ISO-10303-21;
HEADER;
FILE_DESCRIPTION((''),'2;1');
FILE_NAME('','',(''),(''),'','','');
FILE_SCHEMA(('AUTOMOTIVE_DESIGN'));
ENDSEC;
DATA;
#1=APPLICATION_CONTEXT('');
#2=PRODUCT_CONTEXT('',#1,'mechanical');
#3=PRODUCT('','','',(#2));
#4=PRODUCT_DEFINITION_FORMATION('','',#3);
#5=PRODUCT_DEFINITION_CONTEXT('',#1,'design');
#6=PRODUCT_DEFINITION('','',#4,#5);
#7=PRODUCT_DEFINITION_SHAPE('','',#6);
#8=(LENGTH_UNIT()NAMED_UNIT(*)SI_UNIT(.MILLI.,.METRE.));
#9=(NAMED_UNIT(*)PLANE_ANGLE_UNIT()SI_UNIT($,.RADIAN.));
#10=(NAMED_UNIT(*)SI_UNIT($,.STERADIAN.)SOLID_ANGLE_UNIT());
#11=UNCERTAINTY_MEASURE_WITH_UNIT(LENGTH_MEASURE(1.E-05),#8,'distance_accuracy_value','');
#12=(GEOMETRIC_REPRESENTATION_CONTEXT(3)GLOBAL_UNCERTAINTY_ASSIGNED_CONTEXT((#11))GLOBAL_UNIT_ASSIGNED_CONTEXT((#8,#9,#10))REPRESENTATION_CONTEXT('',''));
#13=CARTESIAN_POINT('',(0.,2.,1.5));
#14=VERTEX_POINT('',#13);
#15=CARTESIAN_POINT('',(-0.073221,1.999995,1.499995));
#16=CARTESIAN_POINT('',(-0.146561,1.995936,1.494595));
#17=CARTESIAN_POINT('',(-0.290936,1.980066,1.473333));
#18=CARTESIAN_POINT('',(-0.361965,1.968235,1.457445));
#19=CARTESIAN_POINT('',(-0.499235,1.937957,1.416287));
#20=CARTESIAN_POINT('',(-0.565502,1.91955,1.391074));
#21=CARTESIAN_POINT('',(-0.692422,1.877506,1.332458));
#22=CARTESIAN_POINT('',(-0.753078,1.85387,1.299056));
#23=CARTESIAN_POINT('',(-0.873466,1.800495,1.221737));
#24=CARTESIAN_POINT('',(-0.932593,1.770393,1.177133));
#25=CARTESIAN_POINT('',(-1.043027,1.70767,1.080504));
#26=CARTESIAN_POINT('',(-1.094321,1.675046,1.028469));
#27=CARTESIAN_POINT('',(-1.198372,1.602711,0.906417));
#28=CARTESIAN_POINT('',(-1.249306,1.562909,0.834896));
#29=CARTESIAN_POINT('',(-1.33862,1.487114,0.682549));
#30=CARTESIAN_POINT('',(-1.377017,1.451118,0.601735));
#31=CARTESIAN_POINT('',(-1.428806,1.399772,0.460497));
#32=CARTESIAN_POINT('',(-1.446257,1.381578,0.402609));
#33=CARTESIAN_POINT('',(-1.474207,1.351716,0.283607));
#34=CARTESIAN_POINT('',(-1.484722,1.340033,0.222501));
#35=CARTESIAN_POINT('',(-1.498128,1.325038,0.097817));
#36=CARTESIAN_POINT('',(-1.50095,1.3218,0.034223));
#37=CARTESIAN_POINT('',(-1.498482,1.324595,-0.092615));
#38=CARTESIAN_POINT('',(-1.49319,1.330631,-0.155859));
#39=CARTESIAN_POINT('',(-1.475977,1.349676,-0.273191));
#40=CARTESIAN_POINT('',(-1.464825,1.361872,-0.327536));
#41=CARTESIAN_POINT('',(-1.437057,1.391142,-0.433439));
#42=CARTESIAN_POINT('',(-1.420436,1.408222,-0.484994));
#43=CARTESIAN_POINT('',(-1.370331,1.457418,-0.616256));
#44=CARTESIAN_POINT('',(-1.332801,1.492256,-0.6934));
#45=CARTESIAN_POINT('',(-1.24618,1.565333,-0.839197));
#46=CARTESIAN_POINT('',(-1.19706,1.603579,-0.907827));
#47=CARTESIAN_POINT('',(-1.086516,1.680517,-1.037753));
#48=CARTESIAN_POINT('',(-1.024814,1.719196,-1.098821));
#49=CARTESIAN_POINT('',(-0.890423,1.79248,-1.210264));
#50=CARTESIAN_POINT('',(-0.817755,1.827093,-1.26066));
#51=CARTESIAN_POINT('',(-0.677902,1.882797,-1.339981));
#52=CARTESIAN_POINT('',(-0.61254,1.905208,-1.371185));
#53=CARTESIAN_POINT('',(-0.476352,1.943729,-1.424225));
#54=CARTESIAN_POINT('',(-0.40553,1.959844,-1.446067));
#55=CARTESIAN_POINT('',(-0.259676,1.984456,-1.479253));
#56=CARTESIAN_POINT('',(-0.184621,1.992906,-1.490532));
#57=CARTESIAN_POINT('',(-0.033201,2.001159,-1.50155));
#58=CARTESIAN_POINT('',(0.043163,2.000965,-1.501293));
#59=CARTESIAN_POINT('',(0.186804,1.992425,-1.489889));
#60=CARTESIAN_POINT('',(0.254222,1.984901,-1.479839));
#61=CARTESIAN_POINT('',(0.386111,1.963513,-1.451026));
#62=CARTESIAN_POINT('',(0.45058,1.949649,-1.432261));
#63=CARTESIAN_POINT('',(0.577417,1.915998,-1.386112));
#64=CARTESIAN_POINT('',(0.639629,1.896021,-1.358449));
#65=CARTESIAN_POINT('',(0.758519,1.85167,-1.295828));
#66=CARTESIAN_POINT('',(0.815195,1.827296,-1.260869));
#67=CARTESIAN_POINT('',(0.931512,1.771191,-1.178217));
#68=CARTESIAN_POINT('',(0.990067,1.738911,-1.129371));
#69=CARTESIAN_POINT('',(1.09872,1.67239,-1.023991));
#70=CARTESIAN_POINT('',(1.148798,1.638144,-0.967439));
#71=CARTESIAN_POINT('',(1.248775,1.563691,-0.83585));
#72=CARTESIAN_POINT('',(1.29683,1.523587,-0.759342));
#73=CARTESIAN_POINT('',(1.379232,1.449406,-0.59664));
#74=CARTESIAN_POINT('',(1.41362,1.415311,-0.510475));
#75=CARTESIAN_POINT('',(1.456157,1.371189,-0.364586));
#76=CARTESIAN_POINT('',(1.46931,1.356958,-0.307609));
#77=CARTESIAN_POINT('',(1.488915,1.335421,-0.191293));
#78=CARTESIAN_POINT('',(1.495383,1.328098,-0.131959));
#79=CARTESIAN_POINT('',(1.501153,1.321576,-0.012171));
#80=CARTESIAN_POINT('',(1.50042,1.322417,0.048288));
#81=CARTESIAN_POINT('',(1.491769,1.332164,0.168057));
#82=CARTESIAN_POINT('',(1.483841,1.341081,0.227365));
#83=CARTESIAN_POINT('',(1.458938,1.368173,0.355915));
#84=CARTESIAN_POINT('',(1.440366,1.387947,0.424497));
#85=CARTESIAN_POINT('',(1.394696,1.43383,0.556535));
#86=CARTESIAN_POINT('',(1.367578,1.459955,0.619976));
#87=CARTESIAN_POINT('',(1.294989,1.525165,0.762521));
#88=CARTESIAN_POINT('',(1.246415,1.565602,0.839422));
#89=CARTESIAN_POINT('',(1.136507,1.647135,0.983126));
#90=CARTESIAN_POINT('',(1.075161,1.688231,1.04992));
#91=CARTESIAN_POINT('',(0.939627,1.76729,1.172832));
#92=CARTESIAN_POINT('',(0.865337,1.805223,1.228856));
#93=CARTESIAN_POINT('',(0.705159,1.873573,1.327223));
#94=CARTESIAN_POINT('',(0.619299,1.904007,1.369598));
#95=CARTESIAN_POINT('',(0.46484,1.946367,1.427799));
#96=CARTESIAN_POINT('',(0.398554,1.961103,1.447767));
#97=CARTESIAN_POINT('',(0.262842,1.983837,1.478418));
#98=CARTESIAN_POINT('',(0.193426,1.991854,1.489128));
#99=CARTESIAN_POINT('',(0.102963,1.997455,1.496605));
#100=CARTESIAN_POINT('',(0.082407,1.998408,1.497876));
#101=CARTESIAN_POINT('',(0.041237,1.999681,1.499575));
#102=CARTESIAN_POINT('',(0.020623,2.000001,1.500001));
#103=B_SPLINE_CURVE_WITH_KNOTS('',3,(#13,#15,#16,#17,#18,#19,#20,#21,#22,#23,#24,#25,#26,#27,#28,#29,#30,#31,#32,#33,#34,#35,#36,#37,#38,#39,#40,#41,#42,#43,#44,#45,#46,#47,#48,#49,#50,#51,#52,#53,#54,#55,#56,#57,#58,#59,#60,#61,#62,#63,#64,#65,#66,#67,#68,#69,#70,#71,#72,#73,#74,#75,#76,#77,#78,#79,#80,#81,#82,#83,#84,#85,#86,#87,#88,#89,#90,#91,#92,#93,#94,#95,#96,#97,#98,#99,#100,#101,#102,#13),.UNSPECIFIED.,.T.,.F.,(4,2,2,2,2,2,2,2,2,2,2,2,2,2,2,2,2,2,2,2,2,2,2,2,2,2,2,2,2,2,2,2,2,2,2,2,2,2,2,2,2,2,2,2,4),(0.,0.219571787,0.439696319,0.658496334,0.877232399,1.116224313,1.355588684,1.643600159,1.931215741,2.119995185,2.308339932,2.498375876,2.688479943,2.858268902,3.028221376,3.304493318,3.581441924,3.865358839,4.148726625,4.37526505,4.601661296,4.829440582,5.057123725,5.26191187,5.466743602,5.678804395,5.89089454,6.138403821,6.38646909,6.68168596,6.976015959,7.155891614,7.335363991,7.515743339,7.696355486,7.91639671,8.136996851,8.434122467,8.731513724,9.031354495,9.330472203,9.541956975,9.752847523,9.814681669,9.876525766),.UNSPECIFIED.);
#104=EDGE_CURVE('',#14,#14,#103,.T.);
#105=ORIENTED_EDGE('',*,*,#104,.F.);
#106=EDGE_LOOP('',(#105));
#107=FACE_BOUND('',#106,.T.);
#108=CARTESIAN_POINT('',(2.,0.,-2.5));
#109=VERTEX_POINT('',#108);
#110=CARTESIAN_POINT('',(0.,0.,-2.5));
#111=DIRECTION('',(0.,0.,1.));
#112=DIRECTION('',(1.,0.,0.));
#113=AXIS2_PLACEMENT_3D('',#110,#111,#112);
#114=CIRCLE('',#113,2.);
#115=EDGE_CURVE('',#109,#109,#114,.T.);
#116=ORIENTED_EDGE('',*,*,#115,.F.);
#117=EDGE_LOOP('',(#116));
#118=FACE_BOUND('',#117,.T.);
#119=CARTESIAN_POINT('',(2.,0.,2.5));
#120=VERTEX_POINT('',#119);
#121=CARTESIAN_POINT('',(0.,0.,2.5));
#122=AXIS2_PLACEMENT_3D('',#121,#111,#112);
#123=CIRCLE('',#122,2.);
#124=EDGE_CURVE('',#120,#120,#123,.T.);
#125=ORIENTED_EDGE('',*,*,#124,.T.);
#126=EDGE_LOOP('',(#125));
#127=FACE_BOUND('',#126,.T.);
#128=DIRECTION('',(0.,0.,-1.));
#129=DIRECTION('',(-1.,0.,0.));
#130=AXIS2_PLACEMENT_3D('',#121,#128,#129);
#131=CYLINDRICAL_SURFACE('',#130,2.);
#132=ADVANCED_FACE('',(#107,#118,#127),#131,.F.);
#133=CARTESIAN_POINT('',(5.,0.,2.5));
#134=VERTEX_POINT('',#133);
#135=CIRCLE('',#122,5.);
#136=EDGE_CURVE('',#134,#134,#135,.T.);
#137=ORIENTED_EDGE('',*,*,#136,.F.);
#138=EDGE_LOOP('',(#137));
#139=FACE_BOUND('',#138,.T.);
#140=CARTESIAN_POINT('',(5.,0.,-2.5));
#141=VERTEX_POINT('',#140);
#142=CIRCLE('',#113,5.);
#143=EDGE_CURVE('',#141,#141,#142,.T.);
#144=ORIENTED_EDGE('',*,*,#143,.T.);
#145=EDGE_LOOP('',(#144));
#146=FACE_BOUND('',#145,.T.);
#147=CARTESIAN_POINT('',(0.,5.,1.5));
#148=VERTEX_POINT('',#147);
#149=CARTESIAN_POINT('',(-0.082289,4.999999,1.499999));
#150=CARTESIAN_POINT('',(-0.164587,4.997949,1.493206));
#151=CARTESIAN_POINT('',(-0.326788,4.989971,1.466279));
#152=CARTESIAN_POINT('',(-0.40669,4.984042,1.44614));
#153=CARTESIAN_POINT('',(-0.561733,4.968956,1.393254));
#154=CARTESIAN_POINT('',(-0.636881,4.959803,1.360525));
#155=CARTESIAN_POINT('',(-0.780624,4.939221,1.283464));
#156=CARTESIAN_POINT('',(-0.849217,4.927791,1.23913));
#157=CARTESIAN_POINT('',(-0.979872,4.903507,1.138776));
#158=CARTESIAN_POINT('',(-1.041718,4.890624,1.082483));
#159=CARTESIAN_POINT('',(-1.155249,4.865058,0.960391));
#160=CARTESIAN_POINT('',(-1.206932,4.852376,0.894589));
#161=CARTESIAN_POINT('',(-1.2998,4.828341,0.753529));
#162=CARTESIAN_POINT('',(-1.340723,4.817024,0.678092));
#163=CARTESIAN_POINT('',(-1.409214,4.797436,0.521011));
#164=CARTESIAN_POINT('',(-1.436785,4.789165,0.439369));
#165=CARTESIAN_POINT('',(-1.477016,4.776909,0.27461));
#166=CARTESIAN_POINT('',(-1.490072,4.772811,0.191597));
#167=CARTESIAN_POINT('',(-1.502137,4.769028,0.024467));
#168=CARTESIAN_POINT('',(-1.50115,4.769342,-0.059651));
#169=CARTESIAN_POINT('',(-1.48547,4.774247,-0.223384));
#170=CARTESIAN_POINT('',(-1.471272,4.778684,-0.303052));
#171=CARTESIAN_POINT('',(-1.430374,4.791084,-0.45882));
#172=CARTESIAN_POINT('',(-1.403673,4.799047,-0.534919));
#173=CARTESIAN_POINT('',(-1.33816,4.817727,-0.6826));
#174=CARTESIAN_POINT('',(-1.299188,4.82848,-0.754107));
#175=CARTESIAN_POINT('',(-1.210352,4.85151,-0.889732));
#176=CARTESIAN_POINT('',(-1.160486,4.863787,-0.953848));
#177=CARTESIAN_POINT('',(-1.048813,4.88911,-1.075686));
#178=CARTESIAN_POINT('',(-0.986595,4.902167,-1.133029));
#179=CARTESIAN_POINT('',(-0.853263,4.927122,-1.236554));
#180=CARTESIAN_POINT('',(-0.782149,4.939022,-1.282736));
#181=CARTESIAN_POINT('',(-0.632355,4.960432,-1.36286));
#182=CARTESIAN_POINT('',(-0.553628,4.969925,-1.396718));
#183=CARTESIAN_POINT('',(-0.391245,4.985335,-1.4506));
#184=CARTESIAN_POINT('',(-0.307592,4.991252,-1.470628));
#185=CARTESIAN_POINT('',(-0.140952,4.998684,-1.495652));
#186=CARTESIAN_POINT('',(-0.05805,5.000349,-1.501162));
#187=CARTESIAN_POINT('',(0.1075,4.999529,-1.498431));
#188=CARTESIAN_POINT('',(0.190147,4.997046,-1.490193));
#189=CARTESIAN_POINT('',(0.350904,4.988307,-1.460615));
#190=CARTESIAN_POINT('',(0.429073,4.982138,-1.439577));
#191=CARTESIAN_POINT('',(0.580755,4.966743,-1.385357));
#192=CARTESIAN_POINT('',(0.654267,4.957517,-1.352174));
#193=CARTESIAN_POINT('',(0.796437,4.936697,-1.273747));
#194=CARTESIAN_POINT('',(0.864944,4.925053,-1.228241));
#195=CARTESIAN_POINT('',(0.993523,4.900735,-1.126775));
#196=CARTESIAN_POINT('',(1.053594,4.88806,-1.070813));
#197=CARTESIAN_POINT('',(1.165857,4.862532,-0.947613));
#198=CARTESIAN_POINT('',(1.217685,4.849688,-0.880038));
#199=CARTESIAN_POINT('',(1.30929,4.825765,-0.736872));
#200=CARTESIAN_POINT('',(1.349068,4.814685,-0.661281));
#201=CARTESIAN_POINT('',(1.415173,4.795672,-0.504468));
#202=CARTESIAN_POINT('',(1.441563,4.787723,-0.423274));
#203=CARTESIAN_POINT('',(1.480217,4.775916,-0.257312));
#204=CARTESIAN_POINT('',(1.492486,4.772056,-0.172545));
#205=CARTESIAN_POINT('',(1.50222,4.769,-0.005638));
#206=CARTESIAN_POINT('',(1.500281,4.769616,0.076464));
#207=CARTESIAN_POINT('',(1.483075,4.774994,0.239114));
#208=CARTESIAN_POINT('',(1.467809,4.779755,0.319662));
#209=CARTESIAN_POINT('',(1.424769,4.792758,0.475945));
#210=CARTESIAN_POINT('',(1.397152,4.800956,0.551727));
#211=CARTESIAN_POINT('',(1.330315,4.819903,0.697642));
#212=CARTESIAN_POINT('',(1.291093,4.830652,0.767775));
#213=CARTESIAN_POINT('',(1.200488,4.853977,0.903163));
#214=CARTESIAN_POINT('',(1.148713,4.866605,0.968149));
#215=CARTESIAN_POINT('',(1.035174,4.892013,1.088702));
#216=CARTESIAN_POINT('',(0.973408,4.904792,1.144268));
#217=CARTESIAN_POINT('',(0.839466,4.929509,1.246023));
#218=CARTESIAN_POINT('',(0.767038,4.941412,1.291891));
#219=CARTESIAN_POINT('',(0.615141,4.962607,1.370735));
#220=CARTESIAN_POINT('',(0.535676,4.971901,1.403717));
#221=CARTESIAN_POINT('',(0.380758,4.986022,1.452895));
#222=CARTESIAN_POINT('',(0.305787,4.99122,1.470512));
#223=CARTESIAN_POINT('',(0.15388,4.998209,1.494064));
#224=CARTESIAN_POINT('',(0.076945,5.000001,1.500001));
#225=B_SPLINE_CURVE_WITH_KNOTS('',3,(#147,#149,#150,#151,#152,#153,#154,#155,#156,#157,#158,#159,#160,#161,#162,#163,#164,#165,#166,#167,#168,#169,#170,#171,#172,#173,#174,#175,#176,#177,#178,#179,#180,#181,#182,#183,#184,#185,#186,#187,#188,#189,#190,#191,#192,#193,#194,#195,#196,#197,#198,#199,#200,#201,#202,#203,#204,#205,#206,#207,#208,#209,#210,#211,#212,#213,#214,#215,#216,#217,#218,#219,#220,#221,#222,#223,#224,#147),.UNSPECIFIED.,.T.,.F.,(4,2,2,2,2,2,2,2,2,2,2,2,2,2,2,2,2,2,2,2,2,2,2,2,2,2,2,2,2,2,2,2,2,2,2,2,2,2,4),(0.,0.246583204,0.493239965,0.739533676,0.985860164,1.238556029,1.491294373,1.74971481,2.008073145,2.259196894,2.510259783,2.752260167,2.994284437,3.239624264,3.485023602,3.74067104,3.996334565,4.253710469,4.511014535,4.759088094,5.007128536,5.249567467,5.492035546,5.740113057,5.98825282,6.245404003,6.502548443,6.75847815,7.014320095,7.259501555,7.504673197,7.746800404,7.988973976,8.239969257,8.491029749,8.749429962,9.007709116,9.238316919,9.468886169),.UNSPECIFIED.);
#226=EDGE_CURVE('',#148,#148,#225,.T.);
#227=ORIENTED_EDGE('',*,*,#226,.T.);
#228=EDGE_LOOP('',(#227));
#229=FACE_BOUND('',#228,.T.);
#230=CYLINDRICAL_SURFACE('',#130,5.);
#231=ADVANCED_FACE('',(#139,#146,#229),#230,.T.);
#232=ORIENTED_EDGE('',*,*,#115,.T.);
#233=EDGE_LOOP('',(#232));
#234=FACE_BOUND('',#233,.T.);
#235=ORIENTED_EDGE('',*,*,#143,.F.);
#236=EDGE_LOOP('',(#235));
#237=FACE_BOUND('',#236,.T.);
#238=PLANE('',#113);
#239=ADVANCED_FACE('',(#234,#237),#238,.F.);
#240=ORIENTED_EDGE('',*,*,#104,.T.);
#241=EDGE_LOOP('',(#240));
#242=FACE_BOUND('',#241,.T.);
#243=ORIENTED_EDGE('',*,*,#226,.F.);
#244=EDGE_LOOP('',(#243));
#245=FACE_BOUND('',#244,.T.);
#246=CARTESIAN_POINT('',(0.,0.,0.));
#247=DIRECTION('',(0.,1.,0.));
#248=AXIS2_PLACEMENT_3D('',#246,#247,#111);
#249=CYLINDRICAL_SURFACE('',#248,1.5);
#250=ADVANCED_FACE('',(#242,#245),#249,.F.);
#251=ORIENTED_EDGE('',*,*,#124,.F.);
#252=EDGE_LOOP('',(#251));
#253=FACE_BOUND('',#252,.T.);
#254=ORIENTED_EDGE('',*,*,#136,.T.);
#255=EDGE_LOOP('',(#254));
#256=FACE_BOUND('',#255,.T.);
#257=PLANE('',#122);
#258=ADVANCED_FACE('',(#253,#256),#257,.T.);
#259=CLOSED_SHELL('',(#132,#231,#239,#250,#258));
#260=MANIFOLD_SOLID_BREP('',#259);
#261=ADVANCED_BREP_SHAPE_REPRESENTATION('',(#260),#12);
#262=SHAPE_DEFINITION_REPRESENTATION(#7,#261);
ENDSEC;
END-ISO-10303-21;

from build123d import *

# Parameters (mm, degrees)
SKETCH1_R           = 5
SKETCH1_R_2         = 2
BOSS_EXTRUDE1_DEPTH = 2.5
SKETCH3_R           = 1.5
CUT_EXTRUDE1_DEPTH  = 5


with BuildPart() as part:
    # Sketch1 → Boss-Extrude1 (new, symmetric)
    with BuildSketch(Plane.XY):
        Circle(SKETCH1_R)
        Circle(SKETCH1_R_2, mode=Mode.SUBTRACT)
    extrude(amount=BOSS_EXTRUDE1_DEPTH, both=True)

    # Sketch3 → Cut-Extrude1 (cut)
    with BuildSketch(Plane(origin=(0, 5, 0), x_dir=(1, 0, 0), z_dir=(0, 1, 0))):
        with Locations(Location((0, 0, 0), (0, 0, 270))):
            Circle(SKETCH3_R)
    extrude(amount=-CUT_EXTRUDE1_DEPTH, mode=Mode.SUBTRACT)


solid = part.part
